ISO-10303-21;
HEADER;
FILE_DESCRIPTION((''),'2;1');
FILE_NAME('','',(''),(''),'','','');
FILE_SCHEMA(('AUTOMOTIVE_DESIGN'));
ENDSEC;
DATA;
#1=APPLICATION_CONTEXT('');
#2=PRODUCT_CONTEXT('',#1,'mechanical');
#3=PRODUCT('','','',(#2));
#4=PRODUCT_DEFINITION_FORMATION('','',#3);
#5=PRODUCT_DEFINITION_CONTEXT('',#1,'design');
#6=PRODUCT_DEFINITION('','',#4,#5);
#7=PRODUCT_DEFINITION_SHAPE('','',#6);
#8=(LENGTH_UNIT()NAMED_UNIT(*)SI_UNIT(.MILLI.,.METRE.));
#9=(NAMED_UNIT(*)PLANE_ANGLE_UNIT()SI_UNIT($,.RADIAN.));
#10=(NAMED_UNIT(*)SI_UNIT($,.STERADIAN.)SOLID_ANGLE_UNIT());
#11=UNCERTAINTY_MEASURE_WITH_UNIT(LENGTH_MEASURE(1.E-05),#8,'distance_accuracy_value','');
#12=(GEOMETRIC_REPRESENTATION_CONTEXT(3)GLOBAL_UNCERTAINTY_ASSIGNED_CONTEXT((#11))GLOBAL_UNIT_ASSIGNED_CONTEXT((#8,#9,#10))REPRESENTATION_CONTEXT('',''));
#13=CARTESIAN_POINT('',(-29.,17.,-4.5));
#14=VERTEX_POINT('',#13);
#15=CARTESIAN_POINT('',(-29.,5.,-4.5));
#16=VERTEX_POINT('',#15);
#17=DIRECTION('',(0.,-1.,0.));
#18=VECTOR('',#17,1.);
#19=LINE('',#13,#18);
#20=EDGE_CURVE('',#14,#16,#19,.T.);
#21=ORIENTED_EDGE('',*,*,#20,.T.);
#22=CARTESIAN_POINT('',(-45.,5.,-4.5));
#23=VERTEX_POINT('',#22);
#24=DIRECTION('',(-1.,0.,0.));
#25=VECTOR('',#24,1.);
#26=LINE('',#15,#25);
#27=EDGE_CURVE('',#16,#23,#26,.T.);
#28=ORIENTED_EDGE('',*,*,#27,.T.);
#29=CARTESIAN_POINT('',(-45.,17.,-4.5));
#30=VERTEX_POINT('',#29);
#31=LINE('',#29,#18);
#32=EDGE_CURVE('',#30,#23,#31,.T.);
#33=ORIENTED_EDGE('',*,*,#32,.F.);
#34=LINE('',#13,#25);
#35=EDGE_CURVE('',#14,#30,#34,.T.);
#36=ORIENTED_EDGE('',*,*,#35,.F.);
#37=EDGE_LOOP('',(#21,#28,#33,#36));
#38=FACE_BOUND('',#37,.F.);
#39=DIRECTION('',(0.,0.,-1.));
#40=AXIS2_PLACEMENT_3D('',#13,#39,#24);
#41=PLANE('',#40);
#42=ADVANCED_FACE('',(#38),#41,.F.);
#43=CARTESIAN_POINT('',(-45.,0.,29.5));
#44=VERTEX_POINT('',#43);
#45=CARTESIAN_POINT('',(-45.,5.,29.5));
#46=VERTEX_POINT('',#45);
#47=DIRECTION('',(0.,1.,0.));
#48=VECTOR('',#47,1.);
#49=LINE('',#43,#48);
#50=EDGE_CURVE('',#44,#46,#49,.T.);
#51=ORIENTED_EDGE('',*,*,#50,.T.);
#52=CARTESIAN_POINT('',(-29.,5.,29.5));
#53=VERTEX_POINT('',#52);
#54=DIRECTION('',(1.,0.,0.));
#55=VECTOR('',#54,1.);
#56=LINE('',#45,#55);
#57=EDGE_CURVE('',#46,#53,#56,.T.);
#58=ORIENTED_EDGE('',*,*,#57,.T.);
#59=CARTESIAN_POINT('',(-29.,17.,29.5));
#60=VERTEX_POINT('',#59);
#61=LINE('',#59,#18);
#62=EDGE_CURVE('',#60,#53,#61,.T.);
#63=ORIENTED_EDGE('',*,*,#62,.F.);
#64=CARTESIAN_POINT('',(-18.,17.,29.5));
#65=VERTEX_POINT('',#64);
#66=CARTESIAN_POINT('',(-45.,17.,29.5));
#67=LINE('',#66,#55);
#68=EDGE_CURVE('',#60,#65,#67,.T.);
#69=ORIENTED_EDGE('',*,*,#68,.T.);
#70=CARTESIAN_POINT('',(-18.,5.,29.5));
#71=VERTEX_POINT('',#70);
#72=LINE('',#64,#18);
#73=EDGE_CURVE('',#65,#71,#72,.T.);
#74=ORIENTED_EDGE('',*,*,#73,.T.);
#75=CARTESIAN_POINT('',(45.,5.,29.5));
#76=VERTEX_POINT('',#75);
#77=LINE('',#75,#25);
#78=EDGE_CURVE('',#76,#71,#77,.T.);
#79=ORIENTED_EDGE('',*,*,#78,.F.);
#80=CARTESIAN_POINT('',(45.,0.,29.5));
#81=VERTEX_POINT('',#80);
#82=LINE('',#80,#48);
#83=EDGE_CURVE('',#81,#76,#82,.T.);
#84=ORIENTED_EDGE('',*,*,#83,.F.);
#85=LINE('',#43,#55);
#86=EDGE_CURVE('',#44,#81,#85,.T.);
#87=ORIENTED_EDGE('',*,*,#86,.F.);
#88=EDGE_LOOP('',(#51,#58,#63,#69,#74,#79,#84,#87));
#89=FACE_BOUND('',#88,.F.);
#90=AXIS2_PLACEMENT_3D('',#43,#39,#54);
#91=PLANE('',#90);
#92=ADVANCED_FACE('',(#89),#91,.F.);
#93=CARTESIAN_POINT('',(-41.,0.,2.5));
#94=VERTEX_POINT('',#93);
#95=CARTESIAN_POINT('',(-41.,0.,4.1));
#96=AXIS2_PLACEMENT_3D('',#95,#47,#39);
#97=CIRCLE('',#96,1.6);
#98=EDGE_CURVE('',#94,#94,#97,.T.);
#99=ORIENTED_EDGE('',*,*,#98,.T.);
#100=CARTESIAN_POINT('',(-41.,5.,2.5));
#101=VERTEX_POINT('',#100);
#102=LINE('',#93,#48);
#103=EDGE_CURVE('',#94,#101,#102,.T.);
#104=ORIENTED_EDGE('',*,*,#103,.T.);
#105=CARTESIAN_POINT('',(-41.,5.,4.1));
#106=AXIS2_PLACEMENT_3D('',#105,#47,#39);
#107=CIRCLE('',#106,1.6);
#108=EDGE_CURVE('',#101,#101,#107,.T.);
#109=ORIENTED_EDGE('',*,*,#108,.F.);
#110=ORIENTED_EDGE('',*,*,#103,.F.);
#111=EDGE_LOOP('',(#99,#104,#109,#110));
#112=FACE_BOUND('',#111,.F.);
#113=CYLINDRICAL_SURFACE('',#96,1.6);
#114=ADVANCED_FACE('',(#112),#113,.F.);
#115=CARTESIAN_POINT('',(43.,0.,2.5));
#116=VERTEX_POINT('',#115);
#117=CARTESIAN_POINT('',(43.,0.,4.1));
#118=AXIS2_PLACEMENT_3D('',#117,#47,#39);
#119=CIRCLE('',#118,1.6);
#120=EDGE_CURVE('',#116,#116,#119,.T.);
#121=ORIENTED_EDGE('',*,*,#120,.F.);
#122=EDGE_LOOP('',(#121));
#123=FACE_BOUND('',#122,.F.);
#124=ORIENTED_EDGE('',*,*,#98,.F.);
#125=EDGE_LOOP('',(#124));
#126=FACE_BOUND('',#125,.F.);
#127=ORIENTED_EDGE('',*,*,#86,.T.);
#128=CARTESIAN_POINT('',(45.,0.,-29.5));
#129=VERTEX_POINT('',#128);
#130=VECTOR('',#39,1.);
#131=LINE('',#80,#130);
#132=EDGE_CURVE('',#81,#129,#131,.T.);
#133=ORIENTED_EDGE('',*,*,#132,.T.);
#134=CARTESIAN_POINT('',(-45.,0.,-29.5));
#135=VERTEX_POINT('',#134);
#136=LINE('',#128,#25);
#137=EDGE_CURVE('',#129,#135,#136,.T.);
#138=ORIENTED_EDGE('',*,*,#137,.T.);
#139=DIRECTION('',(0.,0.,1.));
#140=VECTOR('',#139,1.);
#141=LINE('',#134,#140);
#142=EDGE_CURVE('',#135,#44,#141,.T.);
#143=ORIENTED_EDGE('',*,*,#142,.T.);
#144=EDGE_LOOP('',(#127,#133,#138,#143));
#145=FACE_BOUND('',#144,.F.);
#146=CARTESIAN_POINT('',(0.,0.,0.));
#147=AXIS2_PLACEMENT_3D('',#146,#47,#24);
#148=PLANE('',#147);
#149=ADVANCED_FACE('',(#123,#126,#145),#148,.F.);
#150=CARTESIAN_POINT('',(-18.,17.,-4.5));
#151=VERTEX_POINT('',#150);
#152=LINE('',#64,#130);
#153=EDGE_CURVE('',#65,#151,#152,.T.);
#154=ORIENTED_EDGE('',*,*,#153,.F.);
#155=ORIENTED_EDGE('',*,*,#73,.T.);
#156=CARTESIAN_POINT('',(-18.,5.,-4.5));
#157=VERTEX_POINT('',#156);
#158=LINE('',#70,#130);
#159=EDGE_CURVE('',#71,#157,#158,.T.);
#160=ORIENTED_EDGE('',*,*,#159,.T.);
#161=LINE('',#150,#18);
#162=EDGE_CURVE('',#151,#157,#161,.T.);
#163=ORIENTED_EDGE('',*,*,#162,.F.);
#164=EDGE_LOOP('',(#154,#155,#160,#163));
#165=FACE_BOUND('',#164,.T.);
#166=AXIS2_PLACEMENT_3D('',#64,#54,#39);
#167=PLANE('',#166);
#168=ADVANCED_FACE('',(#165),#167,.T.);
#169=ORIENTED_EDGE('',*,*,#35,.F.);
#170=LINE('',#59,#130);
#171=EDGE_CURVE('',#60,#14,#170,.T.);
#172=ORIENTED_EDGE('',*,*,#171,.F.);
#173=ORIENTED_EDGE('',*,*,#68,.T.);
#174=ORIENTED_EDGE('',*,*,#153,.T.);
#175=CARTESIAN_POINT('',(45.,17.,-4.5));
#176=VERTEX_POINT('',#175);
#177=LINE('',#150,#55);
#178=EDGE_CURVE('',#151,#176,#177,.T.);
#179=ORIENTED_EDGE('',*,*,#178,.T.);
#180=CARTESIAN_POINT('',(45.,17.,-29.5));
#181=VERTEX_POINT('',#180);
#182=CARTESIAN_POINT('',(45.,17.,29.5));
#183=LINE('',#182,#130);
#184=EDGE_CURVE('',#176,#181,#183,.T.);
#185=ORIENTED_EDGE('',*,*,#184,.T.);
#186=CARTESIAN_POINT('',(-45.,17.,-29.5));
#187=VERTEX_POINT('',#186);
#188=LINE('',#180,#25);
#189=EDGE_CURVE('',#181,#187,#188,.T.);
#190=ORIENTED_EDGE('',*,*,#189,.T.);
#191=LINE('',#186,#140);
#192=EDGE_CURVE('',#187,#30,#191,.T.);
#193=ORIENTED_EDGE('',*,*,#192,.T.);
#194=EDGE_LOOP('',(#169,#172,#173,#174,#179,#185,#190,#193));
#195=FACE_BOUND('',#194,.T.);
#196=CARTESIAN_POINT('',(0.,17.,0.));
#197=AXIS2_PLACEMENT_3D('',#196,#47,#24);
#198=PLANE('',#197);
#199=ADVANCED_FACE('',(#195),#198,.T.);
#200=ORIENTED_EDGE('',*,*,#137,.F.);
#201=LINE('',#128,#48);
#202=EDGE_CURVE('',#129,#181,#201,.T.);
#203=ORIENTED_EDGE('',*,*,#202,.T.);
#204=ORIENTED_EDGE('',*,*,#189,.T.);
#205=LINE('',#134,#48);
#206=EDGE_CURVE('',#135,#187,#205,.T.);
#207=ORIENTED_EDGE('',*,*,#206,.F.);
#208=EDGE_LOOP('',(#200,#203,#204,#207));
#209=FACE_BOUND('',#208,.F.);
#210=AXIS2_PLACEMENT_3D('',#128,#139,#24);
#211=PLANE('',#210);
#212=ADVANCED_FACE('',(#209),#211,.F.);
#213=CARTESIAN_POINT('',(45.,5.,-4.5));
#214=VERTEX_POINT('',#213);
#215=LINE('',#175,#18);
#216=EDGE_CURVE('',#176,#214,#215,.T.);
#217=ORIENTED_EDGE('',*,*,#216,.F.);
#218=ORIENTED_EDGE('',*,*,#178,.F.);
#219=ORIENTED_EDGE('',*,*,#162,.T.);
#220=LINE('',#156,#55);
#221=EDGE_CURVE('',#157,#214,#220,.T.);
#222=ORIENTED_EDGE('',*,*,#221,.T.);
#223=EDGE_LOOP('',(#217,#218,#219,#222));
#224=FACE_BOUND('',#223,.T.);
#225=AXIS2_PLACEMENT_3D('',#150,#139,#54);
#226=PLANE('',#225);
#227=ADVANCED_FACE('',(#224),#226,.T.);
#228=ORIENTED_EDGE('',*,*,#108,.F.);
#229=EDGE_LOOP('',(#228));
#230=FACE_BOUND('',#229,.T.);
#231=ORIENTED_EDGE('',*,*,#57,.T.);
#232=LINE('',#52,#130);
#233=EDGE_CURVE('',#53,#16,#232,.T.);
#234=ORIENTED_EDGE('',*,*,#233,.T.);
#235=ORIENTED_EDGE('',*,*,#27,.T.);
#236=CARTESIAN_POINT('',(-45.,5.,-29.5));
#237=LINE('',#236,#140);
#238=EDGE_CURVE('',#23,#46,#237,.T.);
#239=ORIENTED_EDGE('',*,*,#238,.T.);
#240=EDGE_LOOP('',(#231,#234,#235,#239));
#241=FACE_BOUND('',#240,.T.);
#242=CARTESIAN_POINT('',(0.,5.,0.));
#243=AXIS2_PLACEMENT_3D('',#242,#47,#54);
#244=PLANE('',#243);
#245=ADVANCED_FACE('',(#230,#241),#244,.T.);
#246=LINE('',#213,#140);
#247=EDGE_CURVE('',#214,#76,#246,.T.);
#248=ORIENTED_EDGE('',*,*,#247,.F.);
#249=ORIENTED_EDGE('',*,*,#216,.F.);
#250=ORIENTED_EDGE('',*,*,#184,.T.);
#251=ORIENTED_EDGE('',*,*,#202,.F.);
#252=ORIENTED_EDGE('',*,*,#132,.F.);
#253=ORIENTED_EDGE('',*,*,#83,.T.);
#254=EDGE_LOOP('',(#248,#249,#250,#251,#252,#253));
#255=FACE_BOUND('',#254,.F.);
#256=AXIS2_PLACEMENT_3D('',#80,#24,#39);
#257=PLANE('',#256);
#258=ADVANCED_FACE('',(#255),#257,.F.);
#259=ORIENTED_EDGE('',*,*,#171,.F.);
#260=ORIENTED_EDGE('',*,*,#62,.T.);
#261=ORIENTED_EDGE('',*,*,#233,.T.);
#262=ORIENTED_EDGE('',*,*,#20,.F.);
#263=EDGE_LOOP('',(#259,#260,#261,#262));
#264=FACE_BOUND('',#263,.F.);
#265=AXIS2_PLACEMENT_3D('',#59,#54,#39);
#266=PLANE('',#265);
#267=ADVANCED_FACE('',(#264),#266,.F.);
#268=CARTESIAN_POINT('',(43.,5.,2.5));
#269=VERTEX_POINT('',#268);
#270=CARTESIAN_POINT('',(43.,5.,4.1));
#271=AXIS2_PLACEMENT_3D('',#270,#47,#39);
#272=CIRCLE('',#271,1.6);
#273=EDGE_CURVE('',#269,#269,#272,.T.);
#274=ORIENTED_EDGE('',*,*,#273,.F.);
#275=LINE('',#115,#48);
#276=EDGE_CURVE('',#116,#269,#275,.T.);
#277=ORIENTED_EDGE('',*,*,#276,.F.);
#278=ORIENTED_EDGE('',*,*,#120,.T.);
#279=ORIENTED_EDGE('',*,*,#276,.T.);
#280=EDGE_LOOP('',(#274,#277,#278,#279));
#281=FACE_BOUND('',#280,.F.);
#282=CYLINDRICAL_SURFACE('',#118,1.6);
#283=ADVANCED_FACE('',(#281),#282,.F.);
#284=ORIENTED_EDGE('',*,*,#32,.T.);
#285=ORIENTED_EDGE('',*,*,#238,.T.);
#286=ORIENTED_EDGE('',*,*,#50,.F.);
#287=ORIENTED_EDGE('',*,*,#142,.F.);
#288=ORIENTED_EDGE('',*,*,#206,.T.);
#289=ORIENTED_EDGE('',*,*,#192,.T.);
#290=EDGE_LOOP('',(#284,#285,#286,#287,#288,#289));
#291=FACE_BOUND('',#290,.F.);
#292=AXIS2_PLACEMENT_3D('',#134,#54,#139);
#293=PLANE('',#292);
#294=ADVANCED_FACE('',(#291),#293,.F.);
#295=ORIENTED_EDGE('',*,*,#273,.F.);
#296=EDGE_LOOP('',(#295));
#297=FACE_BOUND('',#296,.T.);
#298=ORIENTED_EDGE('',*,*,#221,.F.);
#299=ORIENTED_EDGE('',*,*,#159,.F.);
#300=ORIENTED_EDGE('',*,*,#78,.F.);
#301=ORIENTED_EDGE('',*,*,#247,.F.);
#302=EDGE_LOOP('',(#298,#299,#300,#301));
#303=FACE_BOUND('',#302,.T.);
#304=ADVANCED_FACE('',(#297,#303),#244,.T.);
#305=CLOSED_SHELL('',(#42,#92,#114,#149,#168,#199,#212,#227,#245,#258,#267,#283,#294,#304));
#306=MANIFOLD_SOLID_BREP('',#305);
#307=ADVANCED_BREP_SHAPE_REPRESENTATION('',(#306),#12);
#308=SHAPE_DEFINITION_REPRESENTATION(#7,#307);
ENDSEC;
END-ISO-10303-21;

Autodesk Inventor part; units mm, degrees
ref_plane "YZ Plane" through (0, 0, 0) normal (1, 0, 0) x (0, 1, 0)
ref_plane "XZ Plane" through (0, 0, 0) normal (0, 1, 0) x (-1, 0, 0)
ref_plane "XY Plane" through (0, 0, 0) normal (0, 0, 1) x (1, 0, 0)
sketch "Sketch1" plane through (0, 0, 0) normal (0, 1, 0) x (-1, 0, 0)
  line L0 (-45, -29.5) -> (45, -29.5)
  line L1 (45, -29.5) -> (45, 29.5)
  line L2 (45, 29.5) -> (-45, 29.5)
  line L3 (-45, 29.5) -> (-45, -29.5)
  line L4 (-45, -29.5) -> (45, 29.5) construction
  line L5 (45, -29.5) -> (-45, 29.5) construction
  point P0 (0, 0)
  dimension "d0" = 59
  dimension "d1" = 90
extrude "Extrusion1" add sketch "Sketch1" along normal blind 17
sketch "Sketch2" plane through (0, 17, 0) normal (0, 1, 0) x (1, 0, 0)
  line L0 (-45, 29.5) -> (-45, -29.5) projected
  line L1 (-45, -29.5) -> (-29, -29.5)
  line L2 (-29, -29.5) -> (-29, 4.5)
  line L3 (-29, 4.5) -> (-45, 4.5)
  line L4 (-45, 4.5) -> (-45, -29.5)
  line L5 (45, -29.5) -> (-18, -29.5)
  line L6 (-18, -29.5) -> (-18, 4.5)
  line L7 (-18, 4.5) -> (45, 4.5)
  line L8 (45, 4.5) -> (45, -29.5)
  line L9 (45, 29.5) -> (-45, 29.5) projected
  line L10 (45, -29.5) -> (45, 29.5) projected
  line L11 (-45, -29.5) -> (45, -29.5) projected
  point P0 (0, 0)
  dimension "d4" = 25
  dimension "d5" = 25
  dimension "d6" = 16
  dimension "d7" = 63
extrude "Extrusion2" cut sketch "Sketch2" against normal blind 12 contours L3 L2 L1 L0 | L8 L5 L6 L7
sketch "Sketch3" plane through (0, 0, 0) normal (0, -1, 0) x (1, 0, 0)
  line L0 (-41, 4.1) -> (43, 4.1)
  line L1 (-45, -29.5) -> (-45, 29.5) projected
  line L2 (45, 29.5) -> (45, -29.5) projected
  line L3 (-45, 29.5) -> (45, 29.5) projected
  point P0 (0, 0)
  dimension "d10" = 4
  dimension "d11" = 2
  dimension "d12" = 25.4
hole "Hole1" at (-41, 0, 4.1) at (43, 0, 4.1) direction (0, 1, 0) diameter 3.2 end through all clearance for "Flat Head Machine Screw" size "M3" standard "Ansi Metric M Profile"
equation "\"d5\" = d4"
properties part number "Eth_Switch"
